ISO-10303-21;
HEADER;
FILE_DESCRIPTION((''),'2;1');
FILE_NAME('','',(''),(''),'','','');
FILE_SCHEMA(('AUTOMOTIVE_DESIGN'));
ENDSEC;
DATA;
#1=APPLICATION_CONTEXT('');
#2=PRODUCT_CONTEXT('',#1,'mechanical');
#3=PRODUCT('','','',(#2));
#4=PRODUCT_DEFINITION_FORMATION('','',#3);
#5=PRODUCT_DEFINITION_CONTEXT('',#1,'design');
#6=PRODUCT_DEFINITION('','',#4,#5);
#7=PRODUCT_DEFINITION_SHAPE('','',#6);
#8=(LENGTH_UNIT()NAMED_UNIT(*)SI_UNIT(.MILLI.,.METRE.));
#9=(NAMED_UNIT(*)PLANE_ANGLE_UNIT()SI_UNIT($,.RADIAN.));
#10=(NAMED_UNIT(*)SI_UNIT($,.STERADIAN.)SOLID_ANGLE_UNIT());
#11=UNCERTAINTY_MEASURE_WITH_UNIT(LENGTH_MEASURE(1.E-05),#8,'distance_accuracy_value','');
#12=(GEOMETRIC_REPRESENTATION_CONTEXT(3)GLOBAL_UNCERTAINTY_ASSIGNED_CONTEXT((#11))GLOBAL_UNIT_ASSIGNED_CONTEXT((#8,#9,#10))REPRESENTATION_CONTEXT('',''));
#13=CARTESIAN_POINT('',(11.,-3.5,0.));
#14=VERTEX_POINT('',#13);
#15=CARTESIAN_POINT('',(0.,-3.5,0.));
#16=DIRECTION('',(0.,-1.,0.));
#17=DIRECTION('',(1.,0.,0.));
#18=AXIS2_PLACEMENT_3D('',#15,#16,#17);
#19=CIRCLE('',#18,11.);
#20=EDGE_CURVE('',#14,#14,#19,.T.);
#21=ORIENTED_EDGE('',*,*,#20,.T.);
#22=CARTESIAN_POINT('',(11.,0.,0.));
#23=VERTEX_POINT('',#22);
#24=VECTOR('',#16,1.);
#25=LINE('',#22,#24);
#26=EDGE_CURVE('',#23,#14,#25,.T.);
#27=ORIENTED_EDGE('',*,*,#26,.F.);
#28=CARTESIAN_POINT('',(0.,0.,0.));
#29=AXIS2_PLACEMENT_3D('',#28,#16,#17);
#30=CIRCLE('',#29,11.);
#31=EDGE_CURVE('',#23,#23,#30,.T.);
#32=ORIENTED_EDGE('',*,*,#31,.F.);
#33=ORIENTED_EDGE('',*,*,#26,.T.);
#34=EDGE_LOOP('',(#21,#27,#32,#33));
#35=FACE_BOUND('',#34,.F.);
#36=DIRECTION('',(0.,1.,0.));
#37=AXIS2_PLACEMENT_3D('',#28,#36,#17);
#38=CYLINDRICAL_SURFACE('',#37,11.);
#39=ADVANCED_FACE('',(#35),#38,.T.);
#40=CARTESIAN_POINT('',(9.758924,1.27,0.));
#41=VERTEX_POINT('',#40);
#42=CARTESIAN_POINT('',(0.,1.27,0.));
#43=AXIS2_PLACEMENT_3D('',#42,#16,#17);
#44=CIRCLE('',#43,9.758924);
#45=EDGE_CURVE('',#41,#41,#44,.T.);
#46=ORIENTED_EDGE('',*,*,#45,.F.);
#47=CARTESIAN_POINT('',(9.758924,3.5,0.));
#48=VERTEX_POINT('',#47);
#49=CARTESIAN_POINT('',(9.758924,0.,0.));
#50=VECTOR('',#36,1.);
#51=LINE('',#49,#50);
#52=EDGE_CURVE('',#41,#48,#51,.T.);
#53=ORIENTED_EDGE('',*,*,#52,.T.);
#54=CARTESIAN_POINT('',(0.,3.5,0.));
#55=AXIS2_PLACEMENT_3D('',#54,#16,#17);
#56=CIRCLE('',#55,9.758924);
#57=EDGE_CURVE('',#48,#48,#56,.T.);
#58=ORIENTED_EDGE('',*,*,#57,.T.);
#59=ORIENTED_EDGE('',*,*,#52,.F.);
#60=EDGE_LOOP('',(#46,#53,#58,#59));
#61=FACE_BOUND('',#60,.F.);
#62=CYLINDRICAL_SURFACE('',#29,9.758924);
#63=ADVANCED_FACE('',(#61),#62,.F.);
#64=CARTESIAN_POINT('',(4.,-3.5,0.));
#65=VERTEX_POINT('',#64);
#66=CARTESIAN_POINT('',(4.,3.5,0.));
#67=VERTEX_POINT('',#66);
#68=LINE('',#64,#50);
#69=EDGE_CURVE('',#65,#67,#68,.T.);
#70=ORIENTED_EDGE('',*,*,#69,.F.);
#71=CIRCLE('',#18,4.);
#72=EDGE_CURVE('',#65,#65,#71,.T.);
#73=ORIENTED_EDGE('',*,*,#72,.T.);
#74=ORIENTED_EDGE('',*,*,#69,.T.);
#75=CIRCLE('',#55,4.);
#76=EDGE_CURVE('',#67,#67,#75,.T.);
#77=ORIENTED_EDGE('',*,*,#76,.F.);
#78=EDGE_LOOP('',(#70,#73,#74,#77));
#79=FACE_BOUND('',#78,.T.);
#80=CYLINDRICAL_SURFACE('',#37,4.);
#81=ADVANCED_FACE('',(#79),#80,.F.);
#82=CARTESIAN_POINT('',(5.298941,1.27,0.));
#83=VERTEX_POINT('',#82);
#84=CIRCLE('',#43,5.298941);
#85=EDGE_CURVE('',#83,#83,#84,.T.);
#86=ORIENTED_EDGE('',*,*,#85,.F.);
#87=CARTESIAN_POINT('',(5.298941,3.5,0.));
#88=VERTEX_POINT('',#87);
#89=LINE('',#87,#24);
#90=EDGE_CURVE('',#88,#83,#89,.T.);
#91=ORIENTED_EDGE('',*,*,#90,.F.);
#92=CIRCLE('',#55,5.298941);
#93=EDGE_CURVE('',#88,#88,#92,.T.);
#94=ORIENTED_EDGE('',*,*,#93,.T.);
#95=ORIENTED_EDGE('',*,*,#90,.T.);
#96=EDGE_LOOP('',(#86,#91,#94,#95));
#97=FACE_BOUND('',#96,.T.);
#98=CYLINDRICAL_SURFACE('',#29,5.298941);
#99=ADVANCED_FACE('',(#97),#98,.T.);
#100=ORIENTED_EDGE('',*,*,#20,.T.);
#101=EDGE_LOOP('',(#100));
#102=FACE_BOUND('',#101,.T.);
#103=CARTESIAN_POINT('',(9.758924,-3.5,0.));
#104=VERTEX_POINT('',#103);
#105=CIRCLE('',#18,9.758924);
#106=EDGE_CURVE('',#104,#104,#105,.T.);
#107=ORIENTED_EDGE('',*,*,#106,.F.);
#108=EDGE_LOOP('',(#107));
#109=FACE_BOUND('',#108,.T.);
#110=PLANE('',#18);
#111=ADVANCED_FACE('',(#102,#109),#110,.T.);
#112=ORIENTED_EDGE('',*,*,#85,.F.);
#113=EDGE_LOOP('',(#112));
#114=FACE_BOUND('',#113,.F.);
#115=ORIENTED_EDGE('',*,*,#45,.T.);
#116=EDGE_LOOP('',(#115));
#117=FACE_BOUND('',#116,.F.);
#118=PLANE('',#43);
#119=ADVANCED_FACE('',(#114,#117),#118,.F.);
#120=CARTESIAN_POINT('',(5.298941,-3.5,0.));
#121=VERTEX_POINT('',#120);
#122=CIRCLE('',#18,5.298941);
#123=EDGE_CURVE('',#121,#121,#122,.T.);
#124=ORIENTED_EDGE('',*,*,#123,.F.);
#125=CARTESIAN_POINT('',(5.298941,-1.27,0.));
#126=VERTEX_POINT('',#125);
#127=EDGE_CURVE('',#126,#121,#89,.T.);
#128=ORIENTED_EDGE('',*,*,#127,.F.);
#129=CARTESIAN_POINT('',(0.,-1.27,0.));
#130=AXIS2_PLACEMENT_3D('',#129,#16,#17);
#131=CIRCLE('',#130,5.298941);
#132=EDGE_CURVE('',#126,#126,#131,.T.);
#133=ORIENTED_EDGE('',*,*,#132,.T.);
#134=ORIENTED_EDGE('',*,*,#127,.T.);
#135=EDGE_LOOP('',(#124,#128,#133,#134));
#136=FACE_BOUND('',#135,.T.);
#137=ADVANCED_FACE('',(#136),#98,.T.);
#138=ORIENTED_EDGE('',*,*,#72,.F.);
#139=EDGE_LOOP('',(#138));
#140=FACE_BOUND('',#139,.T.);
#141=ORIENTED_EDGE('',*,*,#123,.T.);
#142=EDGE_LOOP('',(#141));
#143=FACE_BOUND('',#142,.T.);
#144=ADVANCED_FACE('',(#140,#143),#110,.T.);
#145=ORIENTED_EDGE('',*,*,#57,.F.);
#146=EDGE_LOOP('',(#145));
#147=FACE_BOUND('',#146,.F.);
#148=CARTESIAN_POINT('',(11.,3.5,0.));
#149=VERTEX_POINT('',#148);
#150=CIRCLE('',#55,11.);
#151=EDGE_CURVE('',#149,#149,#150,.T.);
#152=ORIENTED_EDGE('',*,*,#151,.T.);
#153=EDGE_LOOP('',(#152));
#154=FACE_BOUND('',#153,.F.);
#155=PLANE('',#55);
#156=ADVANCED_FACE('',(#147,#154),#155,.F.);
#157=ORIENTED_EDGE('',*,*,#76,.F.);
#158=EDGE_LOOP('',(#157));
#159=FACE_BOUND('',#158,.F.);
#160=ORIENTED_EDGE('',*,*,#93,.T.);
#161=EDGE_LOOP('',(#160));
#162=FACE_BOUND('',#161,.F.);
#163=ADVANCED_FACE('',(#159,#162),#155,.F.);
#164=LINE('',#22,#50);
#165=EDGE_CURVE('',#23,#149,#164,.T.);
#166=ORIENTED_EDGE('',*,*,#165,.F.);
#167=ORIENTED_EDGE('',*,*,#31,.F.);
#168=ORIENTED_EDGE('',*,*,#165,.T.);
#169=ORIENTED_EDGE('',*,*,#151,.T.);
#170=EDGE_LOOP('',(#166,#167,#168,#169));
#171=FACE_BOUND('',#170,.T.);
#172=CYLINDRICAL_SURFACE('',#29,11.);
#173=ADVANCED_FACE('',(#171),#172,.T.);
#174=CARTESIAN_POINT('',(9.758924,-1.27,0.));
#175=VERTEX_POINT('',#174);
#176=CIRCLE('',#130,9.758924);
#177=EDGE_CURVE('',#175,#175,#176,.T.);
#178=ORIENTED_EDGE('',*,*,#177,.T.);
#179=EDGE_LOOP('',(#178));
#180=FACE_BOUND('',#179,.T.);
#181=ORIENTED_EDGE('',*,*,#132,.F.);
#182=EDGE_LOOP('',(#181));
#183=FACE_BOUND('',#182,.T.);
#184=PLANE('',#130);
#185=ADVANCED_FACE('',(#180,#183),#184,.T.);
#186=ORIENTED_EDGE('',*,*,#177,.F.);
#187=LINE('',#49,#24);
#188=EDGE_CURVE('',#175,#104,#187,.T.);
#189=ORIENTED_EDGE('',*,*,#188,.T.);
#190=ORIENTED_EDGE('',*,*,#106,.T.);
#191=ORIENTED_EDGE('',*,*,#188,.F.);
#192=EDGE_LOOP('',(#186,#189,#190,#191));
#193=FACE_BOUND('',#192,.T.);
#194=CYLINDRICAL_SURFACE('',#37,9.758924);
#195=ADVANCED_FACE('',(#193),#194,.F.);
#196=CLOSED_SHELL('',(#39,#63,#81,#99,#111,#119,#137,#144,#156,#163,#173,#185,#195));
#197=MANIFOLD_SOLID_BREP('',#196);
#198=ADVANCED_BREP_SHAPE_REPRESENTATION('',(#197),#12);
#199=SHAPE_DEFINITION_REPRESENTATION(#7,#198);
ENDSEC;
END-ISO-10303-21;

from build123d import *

# Parameters (mm, degrees)
F0_R     = 11
F0_R_2   = 9.758924
F0_R_3   = 5.298941
F0_R_4   = 4
F1_DEPTH = 3.5
F2_DEPTH = 1.27


with BuildPart() as f1:
    # F0 (on Front) → F1 (new body, symmetric)
    with BuildSketch(Plane.XZ):
        Circle(F0_R)
        Circle(F0_R_2, mode=Mode.SUBTRACT)
        Circle(F0_R_3)
        Circle(F0_R_4, mode=Mode.SUBTRACT)
    extrude(amount=F1_DEPTH, both=True)

    # F0 (on Front) → F2 (join, symmetric)
    with BuildSketch(Plane.XZ):
        Circle(F0_R_2)
        Circle(F0_R_3, mode=Mode.SUBTRACT)
    extrude(amount=F2_DEPTH, both=True)


solid = f1.part
